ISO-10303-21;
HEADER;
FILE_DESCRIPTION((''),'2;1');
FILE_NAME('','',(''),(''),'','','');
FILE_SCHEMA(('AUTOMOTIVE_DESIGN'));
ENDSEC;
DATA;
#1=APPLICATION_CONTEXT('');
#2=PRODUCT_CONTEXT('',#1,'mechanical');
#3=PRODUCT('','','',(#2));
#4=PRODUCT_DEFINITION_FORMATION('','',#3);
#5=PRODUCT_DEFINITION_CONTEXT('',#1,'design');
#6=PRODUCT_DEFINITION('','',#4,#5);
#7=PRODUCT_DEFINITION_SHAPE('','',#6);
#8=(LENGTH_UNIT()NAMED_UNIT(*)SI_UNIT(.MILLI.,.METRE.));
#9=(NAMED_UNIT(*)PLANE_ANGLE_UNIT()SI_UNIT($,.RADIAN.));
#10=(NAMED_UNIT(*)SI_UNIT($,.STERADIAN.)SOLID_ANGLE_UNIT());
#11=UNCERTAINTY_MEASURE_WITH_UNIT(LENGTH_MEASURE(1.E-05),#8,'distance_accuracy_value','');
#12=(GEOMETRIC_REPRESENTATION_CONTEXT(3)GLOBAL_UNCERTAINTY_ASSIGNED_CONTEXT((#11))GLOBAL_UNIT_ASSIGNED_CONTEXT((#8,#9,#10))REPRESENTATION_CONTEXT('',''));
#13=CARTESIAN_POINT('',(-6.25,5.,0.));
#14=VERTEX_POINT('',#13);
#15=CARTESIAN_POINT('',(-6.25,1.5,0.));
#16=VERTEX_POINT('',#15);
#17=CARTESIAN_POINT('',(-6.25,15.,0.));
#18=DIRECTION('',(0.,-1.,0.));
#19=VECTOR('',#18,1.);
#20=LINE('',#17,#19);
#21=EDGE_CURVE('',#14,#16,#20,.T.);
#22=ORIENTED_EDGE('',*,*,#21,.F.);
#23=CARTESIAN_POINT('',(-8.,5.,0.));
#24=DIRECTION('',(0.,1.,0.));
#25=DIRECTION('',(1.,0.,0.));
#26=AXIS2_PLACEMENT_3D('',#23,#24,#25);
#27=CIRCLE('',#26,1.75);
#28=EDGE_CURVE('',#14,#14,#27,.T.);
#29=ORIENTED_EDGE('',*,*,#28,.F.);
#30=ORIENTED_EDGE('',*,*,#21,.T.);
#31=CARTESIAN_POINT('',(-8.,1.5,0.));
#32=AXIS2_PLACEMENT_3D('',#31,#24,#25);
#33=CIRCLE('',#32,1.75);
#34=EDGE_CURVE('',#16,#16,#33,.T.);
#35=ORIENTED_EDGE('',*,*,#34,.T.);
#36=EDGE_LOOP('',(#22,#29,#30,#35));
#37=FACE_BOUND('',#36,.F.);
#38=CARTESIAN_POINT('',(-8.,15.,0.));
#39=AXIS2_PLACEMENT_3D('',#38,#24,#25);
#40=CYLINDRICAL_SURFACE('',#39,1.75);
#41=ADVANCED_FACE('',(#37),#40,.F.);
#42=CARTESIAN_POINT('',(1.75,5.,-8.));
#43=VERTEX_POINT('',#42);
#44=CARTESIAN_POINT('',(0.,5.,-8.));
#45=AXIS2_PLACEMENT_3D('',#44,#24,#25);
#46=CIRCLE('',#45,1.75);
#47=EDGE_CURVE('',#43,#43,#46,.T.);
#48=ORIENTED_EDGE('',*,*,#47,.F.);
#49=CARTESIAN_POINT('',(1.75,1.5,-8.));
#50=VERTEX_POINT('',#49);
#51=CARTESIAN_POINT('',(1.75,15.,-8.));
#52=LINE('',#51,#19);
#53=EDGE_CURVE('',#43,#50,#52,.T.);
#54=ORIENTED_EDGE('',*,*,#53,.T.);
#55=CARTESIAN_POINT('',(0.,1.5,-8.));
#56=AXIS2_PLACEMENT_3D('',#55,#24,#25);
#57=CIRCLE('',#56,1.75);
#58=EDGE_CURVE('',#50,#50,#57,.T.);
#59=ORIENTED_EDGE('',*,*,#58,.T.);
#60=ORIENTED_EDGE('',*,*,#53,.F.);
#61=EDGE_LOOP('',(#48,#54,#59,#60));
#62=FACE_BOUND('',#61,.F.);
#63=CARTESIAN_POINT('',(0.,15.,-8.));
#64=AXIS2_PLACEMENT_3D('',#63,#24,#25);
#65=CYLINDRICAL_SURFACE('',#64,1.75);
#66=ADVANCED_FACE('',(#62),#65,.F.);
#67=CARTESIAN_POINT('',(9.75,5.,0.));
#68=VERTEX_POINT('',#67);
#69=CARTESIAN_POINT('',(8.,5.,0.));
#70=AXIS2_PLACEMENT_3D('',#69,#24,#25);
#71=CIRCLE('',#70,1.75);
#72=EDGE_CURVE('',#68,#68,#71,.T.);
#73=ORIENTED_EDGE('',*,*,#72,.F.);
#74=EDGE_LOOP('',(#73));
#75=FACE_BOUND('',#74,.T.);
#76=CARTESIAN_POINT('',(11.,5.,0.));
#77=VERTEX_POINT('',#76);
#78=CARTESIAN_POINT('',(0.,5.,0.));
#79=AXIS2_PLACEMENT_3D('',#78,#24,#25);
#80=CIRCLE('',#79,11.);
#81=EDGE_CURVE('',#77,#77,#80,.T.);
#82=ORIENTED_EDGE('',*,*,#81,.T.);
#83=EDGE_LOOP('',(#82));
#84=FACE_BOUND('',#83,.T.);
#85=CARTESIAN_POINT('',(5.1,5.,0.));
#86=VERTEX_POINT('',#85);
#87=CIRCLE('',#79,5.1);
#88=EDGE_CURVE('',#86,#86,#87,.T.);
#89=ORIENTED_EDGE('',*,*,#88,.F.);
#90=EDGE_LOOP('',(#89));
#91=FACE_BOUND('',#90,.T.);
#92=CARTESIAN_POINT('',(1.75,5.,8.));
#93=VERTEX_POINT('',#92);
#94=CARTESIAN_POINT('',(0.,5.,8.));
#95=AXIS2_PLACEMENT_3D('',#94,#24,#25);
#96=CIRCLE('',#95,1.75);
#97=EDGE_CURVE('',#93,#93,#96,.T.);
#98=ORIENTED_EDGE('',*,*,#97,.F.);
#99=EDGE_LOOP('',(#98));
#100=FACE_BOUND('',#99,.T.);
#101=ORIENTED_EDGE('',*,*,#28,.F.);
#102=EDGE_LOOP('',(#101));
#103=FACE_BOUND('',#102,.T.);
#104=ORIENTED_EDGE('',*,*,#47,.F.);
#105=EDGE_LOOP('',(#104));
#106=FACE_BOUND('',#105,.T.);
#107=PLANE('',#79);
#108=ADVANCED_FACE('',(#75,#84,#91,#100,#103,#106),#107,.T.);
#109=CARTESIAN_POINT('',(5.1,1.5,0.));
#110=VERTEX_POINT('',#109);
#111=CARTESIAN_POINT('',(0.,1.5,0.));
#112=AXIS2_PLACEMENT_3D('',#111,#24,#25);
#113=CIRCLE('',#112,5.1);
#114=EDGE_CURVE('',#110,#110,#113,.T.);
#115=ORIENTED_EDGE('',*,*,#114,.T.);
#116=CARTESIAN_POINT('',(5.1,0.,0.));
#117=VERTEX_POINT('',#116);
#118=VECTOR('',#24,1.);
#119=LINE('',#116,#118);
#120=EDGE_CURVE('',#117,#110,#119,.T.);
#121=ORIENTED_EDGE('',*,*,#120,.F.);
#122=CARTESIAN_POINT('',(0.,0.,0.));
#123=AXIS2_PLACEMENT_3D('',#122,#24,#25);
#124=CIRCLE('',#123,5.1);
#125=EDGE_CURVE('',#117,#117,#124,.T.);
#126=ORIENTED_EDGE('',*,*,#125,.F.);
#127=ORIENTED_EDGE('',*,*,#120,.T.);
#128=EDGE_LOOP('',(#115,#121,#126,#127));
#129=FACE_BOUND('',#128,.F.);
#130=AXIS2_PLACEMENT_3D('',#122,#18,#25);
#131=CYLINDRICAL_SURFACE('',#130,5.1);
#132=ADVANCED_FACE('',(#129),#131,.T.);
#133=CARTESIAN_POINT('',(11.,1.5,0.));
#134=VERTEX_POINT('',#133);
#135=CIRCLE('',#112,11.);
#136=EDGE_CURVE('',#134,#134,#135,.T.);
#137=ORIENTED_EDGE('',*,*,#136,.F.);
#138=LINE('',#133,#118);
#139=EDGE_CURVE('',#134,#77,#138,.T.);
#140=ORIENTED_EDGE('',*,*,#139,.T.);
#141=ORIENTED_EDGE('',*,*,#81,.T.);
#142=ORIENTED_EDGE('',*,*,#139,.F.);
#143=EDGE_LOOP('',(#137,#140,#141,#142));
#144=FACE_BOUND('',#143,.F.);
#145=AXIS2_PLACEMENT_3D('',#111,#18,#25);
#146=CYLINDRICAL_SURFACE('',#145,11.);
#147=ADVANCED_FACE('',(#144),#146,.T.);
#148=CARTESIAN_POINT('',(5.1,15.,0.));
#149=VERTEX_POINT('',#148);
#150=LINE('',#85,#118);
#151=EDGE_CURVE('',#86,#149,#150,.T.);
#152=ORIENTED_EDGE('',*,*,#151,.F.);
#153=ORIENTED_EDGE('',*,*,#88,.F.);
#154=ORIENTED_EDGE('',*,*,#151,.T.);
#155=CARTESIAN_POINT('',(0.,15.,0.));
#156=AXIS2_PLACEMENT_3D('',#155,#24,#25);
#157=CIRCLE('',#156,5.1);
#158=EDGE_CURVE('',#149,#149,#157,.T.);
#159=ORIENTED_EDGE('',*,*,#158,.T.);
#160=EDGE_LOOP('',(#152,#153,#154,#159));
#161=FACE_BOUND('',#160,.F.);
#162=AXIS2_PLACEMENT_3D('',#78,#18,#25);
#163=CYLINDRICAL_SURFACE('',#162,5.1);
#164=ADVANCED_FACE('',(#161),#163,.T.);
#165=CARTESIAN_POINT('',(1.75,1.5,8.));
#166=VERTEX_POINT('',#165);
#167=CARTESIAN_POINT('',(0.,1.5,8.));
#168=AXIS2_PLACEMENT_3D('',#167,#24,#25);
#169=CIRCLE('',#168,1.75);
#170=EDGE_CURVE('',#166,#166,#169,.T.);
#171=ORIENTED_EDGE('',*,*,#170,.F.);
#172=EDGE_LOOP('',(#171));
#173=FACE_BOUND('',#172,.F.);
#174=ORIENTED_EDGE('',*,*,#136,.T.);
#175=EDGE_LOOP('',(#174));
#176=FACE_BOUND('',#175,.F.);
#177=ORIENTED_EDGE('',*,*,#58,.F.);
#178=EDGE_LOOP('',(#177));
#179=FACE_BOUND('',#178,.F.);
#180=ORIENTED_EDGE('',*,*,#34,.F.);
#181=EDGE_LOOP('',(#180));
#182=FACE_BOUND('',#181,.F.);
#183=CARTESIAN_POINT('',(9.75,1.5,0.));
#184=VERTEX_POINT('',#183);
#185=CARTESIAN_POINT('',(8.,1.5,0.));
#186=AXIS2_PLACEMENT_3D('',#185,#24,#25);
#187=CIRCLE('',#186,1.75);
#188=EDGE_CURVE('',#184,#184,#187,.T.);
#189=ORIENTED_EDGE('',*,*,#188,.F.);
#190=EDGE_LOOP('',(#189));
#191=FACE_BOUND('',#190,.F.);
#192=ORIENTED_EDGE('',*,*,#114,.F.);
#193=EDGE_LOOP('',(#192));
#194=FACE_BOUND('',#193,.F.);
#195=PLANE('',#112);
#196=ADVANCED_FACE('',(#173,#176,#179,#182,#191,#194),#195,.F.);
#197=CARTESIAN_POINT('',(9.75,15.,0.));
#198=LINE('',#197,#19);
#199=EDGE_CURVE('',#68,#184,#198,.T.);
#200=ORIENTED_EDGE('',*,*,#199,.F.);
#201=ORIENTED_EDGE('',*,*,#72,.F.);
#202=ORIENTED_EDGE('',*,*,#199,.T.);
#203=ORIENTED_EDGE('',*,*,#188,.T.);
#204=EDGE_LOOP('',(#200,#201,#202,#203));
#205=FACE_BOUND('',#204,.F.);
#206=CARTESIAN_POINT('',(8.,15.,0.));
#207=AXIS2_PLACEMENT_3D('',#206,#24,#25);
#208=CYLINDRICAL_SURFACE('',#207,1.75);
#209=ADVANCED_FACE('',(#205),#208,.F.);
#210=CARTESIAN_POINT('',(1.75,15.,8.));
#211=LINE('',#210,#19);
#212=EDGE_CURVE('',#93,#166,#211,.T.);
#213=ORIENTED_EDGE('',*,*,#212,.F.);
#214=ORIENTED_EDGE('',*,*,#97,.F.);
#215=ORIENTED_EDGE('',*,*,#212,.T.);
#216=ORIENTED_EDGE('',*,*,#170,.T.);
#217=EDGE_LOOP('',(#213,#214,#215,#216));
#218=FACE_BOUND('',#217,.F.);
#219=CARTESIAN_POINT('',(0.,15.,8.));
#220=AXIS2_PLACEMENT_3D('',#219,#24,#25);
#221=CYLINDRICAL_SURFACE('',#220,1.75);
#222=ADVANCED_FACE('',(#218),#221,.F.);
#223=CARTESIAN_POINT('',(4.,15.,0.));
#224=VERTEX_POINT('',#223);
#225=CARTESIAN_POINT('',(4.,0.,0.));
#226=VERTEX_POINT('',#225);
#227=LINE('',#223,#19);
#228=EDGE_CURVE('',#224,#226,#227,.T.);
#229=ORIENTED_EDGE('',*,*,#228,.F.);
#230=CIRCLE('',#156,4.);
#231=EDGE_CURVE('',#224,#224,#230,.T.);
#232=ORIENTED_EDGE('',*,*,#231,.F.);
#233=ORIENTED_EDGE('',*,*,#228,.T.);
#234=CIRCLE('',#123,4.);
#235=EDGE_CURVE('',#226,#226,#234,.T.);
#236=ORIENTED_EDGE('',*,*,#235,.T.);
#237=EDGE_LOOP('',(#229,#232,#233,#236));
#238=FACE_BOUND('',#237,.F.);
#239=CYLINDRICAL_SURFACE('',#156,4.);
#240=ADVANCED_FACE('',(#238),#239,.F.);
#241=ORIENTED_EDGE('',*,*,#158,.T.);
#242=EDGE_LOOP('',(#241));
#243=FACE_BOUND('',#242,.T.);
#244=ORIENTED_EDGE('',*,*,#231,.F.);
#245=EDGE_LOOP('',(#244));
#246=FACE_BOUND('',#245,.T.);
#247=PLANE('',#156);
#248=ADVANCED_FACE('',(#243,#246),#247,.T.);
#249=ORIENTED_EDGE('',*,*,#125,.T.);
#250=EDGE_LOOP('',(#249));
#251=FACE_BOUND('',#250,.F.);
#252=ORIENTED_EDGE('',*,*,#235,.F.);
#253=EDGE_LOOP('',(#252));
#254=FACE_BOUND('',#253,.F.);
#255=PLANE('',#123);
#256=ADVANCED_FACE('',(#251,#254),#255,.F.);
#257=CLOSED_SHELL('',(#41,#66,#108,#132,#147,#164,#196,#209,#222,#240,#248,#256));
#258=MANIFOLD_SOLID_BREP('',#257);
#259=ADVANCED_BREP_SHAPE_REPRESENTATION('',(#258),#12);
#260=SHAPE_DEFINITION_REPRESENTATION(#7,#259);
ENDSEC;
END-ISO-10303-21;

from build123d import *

# Parameters (mm, degrees)
SKETCH1_R           = 5.1
BOSS_EXTRUDE1_DEPTH = 1.5
SKETCH2_R           = 11
BOSS_EXTRUDE2_DEPTH = 3.5
SKETCH3_R           = 5.1
BOSS_EXTRUDE3_DEPTH = 10
SKETCH4_R           = 4
SKETCH4_R_2         = 1.75
CUT_EXTRUDE1_DEPTH  = 16


with BuildPart() as part:
    # Sketch1 → Boss-Extrude1 (new body)
    with BuildSketch(Plane(origin=(0, 0, 0), x_dir=(1, 0, 0), z_dir=(0, 1, 0))):
        Circle(SKETCH1_R)
    extrude(amount=BOSS_EXTRUDE1_DEPTH)

    # Sketch2 → Boss-Extrude2 (add)
    with BuildSketch(Plane(origin=(0, 1.5, 0), x_dir=(1, 0, 0), z_dir=(0, 1, 0))):
        Circle(SKETCH2_R)
    extrude(amount=BOSS_EXTRUDE2_DEPTH)

    # Sketch3 → Boss-Extrude3 (add)
    with BuildSketch(Plane(origin=(0, 5, 0), x_dir=(1, 0, 0), z_dir=(0, 1, 0))):
        Circle(SKETCH3_R)
    extrude(amount=BOSS_EXTRUDE3_DEPTH)

    # Sketch4 → Cut-Extrude1 (cut, through all)
    with BuildSketch(Plane(origin=(0, 15, 0), x_dir=(1, 0, 0), z_dir=(0, 1, 0))):
        Circle(SKETCH4_R)
        with Locations((8, 0)):
            Circle(SKETCH4_R_2)
        with Locations((0, 8)):
            Circle(SKETCH4_R_2)
        with Locations((-8, 0)):
            Circle(SKETCH4_R_2)
        with Locations((0, -8)):
            Circle(SKETCH4_R_2)
    extrude(amount=-CUT_EXTRUDE1_DEPTH, mode=Mode.SUBTRACT)


solid = part.part
